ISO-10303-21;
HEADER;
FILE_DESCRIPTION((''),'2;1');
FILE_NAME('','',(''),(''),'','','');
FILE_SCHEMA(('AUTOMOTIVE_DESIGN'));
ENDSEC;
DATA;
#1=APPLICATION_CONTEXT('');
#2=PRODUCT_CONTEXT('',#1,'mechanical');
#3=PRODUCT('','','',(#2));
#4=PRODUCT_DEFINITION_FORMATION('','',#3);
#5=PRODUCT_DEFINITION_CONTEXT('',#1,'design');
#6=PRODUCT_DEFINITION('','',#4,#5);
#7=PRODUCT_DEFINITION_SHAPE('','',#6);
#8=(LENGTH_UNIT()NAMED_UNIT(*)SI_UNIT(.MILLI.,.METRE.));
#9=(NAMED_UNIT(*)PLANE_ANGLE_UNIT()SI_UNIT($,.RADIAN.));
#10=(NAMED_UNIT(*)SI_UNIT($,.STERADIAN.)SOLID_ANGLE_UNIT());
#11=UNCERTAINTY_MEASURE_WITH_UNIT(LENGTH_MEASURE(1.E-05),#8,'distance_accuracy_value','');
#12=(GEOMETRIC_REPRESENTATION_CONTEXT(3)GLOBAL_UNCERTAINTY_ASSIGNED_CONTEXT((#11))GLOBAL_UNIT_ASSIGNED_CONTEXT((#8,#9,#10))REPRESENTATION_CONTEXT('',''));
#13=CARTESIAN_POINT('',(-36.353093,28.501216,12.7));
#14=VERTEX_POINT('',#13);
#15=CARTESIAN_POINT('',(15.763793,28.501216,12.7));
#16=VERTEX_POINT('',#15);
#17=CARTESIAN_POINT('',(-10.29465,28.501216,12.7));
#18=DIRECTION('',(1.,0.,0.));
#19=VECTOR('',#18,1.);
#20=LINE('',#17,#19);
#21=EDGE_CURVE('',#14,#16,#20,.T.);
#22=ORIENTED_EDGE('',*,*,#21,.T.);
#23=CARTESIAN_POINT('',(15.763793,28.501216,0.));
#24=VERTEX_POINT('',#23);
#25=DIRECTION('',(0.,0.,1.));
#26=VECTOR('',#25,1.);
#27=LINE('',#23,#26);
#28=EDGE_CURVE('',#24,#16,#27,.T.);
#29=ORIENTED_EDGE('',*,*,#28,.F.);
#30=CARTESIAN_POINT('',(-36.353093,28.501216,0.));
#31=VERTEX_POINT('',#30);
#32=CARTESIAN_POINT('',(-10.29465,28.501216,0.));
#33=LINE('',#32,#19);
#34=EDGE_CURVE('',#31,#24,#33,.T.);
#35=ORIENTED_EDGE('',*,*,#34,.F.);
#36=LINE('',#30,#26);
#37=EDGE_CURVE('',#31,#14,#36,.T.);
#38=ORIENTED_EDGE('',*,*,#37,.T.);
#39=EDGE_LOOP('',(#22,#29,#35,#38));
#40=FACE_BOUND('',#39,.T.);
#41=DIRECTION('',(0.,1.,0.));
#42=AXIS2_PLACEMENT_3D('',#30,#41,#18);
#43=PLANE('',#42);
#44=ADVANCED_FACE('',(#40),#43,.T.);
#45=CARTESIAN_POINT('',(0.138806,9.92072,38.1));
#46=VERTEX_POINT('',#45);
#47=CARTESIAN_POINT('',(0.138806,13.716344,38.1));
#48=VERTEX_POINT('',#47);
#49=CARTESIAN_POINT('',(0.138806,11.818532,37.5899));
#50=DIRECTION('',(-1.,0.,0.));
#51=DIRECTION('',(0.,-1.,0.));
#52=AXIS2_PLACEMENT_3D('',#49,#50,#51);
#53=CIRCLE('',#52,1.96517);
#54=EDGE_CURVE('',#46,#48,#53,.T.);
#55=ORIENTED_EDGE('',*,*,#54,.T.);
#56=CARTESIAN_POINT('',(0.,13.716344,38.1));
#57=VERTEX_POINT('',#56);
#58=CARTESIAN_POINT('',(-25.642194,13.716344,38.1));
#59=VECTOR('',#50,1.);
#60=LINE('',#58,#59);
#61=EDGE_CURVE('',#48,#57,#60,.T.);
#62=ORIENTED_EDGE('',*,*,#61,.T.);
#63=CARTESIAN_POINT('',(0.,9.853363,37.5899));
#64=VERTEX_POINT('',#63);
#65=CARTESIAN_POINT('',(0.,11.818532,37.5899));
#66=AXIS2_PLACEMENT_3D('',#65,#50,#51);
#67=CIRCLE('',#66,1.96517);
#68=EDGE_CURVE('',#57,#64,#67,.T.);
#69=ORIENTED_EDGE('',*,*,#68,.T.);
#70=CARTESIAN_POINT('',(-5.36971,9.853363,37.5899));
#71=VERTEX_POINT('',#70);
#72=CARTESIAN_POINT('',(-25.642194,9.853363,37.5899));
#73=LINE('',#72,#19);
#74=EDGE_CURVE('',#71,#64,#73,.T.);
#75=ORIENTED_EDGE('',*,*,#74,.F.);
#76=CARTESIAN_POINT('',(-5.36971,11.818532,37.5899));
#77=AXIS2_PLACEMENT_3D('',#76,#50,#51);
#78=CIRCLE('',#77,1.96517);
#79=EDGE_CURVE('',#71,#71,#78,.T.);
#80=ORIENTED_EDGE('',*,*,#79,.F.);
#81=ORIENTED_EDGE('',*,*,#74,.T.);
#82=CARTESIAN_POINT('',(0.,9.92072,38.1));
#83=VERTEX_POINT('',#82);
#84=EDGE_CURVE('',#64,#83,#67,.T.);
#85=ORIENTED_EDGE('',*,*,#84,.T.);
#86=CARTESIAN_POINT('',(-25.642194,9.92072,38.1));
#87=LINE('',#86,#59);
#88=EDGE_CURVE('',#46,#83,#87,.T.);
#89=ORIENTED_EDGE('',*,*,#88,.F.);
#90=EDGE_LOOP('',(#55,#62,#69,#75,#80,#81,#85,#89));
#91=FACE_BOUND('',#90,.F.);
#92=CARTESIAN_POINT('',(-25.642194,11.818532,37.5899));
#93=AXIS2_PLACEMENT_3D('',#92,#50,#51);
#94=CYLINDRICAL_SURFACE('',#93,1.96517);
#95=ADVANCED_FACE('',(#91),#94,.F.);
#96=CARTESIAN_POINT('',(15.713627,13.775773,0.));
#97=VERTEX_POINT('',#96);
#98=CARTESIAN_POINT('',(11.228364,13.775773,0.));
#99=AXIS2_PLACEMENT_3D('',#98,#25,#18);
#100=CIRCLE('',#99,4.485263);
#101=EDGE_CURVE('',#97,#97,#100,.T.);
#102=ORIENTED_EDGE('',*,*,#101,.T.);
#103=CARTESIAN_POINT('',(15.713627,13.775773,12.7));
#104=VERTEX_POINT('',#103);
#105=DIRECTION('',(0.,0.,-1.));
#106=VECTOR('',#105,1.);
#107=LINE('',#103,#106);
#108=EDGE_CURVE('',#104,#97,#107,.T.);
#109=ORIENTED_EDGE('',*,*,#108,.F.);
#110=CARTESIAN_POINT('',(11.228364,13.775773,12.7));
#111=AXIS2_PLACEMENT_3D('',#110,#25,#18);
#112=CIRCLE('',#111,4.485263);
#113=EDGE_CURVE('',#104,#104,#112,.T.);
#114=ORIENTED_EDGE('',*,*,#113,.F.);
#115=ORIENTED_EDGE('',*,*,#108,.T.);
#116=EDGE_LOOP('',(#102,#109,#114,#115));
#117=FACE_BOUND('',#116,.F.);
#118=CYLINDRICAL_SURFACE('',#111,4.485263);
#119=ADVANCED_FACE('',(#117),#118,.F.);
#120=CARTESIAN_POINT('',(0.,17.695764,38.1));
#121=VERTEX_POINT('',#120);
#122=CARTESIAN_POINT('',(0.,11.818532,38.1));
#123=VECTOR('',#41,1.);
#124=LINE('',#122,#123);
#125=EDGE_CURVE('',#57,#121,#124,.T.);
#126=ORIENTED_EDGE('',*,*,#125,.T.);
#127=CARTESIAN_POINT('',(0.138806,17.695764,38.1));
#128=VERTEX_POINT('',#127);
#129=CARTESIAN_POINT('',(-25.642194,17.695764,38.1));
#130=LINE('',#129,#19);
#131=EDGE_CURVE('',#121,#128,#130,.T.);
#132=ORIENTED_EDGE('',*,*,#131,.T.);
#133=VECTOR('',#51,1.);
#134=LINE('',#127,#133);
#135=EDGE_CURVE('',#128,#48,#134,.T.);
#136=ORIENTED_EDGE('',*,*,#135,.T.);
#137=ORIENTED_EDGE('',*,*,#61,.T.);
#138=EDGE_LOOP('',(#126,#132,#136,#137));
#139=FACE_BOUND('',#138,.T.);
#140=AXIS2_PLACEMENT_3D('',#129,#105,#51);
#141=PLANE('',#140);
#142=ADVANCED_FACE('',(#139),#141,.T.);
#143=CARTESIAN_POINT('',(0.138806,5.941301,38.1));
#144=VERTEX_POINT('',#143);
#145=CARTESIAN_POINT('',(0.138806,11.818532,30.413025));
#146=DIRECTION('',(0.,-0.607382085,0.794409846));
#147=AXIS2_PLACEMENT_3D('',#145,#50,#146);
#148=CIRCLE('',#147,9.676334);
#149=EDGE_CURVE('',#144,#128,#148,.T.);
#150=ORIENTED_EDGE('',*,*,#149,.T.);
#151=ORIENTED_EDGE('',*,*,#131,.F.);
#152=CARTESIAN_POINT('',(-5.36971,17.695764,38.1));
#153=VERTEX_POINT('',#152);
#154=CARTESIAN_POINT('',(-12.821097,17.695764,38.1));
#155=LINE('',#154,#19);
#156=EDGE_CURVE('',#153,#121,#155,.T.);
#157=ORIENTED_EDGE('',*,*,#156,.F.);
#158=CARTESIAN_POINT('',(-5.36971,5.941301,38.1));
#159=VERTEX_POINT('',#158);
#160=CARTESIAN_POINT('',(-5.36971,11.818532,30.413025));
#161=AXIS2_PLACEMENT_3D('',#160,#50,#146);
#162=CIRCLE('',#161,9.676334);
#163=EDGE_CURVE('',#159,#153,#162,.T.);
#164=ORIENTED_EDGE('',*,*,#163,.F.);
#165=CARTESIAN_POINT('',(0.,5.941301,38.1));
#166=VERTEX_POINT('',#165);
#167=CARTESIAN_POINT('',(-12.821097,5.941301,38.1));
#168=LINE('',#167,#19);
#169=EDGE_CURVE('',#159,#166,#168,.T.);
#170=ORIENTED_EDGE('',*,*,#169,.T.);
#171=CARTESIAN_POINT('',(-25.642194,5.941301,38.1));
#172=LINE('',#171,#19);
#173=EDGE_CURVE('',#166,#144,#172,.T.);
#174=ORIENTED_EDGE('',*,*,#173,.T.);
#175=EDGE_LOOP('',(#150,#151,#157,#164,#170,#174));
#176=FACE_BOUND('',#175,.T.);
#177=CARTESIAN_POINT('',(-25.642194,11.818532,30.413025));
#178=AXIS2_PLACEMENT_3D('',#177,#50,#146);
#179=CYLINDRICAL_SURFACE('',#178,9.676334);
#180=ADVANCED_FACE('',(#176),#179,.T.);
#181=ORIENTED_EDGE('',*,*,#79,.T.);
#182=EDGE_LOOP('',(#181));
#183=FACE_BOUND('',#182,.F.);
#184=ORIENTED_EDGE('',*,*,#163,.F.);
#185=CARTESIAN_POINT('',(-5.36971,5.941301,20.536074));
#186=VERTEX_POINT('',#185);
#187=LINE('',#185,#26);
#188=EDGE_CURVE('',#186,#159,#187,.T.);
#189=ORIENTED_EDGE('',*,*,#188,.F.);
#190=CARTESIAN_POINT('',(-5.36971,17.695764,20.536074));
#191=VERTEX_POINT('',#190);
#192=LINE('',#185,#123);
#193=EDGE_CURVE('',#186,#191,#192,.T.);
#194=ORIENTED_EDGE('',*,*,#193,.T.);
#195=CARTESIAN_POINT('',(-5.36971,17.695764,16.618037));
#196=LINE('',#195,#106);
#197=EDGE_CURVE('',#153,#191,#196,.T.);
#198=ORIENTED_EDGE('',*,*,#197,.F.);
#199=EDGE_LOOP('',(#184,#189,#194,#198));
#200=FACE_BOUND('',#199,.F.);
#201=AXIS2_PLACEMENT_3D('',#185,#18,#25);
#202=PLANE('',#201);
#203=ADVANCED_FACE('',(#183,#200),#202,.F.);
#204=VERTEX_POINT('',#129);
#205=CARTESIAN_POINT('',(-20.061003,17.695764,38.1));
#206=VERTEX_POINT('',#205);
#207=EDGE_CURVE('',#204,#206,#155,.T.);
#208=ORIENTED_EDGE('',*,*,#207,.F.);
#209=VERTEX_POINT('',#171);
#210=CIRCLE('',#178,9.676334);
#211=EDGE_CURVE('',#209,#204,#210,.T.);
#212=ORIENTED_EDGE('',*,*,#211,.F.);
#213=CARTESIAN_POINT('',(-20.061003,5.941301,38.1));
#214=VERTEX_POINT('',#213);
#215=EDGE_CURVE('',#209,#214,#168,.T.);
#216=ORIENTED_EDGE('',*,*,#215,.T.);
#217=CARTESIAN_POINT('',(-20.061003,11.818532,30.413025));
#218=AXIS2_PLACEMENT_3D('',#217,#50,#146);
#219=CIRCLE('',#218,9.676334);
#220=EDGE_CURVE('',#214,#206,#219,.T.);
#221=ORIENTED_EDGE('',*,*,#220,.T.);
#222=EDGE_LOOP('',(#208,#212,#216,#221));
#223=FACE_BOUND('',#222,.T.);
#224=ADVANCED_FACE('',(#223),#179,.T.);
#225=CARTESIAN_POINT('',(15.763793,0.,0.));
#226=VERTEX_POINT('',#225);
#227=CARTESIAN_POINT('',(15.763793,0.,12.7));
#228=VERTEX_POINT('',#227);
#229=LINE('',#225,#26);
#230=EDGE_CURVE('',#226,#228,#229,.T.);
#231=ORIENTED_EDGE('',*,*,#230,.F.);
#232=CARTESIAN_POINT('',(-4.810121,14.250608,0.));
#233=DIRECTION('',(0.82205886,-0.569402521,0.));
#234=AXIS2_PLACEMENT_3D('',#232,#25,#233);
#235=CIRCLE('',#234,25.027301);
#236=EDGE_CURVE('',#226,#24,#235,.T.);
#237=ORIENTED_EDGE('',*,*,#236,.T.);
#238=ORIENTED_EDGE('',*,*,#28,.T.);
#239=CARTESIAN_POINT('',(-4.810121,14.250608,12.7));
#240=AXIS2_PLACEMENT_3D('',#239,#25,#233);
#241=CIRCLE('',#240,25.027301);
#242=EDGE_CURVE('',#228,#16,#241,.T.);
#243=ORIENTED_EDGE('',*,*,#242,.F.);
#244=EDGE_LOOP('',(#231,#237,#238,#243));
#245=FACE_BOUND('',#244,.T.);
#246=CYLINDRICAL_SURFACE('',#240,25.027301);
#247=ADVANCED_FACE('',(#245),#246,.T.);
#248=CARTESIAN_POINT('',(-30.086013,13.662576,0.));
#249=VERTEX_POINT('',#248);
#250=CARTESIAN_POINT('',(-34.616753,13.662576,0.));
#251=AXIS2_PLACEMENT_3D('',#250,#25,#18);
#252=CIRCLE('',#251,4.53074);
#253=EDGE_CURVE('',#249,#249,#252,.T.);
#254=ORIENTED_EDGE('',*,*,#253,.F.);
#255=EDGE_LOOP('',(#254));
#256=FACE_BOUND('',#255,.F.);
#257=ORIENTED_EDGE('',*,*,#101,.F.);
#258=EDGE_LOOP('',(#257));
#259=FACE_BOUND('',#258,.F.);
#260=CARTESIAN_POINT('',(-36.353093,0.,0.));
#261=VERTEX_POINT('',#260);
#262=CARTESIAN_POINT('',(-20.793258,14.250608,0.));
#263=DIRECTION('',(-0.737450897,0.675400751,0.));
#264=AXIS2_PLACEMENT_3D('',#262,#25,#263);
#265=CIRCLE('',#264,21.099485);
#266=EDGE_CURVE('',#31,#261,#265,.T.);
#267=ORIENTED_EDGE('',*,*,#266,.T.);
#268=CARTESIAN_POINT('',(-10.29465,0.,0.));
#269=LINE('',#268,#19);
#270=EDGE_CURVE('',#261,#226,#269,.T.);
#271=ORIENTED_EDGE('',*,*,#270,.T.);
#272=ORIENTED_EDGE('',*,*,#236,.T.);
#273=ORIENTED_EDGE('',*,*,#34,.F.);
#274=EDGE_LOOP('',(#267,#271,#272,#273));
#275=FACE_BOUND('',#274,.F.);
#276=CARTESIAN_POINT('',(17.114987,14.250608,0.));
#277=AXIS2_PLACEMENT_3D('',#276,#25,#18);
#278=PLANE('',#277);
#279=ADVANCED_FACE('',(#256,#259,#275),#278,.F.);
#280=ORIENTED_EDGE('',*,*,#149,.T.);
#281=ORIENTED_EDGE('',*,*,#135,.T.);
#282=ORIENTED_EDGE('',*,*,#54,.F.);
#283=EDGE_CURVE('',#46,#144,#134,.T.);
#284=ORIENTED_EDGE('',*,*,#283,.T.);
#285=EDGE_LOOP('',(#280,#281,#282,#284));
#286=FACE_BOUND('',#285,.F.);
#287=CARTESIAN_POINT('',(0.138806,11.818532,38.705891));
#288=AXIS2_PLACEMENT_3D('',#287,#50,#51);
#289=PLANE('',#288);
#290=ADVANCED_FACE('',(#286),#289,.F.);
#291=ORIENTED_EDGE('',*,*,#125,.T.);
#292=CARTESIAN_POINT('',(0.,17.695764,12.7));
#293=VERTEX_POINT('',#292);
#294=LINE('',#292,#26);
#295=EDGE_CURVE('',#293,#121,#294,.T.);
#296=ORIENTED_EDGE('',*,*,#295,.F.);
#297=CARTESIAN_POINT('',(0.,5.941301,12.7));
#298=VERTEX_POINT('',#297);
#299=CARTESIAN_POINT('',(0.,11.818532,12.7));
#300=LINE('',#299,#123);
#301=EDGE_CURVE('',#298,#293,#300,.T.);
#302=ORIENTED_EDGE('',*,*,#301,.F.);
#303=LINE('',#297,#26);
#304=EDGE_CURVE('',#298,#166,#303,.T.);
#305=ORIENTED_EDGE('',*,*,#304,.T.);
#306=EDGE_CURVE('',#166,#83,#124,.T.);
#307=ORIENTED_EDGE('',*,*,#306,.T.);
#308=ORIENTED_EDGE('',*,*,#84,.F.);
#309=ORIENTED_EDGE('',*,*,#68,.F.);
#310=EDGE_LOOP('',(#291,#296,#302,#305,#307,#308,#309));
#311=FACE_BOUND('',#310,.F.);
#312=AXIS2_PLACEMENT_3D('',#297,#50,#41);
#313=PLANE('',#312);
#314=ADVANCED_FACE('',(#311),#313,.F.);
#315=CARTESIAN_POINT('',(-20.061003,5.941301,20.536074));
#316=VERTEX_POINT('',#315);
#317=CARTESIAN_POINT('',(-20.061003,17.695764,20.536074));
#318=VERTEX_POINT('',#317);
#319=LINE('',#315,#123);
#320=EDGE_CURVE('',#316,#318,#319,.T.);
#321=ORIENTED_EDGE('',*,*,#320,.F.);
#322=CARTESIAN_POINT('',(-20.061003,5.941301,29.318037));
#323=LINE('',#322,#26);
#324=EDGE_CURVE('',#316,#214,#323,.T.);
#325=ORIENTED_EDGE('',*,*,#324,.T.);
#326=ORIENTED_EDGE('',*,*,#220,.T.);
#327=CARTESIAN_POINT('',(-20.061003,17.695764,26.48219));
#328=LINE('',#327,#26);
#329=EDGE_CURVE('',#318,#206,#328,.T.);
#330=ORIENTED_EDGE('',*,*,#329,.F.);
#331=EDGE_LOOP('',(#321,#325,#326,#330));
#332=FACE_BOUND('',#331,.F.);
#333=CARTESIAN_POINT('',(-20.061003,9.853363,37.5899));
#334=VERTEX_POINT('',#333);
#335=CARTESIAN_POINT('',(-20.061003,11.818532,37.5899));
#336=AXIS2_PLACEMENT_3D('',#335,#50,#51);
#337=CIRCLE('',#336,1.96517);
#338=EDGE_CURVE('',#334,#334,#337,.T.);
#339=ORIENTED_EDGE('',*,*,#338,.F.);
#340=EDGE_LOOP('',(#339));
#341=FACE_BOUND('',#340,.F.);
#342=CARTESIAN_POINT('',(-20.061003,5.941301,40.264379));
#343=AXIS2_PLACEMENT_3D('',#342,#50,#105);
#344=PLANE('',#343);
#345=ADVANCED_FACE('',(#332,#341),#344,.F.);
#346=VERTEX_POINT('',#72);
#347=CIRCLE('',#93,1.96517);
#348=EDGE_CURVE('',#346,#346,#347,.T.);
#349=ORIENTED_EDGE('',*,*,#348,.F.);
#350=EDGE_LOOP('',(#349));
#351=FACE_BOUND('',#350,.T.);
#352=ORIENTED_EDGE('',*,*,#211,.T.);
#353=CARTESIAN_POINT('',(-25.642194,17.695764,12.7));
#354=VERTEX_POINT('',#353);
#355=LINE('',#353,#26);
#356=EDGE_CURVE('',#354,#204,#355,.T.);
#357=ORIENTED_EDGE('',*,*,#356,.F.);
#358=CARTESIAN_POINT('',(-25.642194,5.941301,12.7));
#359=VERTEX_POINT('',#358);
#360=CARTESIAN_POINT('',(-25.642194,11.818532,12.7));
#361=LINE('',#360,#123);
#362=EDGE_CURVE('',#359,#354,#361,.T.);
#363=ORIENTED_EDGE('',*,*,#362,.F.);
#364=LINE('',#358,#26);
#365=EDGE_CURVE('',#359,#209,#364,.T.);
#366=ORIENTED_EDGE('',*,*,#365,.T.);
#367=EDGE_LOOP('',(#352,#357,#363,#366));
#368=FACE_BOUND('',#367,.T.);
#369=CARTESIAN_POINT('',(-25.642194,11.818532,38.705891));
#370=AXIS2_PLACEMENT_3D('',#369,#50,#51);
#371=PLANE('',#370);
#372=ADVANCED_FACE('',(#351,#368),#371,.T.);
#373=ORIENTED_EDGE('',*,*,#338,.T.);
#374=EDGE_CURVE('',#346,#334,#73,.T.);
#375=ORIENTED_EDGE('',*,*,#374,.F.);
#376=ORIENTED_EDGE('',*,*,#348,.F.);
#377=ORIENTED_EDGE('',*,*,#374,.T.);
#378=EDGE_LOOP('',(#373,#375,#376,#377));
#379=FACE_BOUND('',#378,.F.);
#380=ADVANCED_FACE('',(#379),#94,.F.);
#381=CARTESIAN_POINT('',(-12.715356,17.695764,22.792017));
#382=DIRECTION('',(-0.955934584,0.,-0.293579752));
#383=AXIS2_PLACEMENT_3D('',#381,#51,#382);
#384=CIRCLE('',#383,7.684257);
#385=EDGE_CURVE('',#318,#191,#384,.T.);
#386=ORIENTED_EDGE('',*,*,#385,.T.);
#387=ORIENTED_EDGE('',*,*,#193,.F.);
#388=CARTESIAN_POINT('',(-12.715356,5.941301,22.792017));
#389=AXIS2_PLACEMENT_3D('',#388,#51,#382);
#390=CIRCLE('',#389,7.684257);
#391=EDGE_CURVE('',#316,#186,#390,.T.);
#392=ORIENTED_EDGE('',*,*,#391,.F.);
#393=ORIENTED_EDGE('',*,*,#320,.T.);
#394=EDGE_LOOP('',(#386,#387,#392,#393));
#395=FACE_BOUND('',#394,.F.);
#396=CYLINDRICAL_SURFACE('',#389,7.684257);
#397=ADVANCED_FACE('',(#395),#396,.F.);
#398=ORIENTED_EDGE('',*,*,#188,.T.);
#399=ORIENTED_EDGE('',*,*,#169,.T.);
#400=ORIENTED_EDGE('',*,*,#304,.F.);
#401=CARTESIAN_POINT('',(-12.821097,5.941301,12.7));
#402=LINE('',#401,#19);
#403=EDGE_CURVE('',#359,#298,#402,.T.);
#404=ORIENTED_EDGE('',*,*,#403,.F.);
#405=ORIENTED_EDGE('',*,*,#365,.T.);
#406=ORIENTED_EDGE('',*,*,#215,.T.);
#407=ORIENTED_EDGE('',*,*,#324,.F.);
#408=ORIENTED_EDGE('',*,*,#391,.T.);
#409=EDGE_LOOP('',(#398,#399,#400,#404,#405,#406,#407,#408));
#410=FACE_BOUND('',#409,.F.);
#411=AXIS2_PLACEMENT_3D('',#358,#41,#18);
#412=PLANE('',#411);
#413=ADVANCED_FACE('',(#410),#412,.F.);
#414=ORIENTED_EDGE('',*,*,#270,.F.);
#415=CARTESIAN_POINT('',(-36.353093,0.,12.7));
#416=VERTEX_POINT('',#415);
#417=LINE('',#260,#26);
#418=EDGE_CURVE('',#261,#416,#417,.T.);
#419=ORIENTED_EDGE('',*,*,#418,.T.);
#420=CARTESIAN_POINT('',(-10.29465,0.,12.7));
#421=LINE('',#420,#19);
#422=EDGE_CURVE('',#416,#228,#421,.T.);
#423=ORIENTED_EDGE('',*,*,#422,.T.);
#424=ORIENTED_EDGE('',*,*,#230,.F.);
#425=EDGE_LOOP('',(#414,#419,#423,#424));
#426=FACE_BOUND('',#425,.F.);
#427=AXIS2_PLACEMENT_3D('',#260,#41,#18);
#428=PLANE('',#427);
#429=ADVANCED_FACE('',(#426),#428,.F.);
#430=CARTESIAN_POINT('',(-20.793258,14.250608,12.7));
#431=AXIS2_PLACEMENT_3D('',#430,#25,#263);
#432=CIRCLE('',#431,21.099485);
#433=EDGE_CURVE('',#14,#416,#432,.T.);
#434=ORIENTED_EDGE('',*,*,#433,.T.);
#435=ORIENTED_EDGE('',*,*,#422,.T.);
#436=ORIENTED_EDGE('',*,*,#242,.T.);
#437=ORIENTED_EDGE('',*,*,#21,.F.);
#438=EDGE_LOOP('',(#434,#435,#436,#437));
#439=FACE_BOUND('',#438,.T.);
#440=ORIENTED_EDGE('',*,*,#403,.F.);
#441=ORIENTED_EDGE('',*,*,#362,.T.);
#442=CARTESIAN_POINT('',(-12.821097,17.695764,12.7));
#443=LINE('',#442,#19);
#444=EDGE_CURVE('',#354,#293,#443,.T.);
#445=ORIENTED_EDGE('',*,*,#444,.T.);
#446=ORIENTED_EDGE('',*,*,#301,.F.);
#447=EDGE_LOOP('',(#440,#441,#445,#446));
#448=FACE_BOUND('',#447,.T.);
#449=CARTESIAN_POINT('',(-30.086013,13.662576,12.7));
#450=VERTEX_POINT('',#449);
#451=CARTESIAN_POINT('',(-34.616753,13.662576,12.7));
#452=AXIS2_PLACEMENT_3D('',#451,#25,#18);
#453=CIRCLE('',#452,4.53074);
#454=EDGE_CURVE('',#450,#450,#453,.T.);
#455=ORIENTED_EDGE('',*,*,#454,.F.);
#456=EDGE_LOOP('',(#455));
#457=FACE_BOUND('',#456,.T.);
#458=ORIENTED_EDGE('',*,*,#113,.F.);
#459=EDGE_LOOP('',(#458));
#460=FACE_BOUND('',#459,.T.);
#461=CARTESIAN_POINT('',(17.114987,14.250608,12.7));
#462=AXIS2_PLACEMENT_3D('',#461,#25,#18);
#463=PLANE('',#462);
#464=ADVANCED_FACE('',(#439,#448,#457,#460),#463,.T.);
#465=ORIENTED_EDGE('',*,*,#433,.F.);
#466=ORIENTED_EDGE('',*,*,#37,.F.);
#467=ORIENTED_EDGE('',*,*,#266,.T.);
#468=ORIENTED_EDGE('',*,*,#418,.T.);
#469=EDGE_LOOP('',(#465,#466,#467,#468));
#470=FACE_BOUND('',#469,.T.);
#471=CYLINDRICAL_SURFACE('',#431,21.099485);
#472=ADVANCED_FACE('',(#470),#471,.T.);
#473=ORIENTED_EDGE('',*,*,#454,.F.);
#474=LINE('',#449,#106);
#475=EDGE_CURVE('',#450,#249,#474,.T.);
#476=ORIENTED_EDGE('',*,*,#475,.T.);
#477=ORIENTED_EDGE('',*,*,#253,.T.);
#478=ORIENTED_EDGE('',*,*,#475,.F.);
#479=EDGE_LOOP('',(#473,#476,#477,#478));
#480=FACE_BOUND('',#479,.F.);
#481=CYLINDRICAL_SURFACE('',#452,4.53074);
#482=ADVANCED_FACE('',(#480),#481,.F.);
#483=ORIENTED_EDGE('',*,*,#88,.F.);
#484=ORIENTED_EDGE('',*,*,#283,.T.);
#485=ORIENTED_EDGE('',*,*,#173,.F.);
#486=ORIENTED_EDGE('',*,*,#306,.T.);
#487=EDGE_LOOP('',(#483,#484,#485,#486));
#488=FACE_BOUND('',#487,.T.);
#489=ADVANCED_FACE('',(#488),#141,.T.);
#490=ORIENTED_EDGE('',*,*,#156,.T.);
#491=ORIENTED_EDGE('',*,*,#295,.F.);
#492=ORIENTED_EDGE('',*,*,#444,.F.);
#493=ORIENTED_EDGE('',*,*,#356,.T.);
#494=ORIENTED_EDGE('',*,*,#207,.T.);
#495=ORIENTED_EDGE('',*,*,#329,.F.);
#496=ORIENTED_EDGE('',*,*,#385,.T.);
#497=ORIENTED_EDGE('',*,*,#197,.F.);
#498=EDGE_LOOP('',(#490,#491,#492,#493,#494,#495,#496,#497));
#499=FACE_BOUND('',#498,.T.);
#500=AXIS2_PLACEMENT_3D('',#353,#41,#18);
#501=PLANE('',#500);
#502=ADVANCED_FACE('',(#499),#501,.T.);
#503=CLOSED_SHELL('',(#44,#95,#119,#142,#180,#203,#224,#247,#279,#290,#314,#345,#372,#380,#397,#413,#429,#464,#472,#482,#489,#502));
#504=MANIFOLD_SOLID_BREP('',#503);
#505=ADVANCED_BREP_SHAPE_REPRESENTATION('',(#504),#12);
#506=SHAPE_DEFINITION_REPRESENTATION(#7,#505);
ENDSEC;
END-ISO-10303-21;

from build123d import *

# Parameters (mm, degrees)
F0_W      = 52.1168857813
F0_H      = 28.5012163222
F1_DEPTH  = 12.7
F3_DEPTH  = 12.7
F5_DEPTH  = 12.7
F6_W      = 25.6421938539
F6_H      = 11.7544634268
F7_DEPTH  = 25.4
F9_DEPTH  = 25.781
F10_W     = 14.6912932396
F10_H     = 17.5639255852
F11_DEPTH = 22.5609156693
F12_R     = 4.5307401999
F12_R_2   = 4.4852627038
F13_DEPTH = 12.701
F14_R     = 1.9651697752
F15_DEPTH = 45.8603734278
F17_DEPTH = 22.5609156693


with BuildPart() as f1:
    # F0 (on Top) → F1 (new body)
    with BuildSketch(Plane.XY):
        with Locations((-10.29464975, 14.2506081611)):
            Rectangle(F0_W, F0_H)
    extrude(amount=F1_DEPTH)

    # F2 (on face) → F3 (join)
    with BuildSketch(Plane.XY.offset(12.7)):
        with BuildLine():
            Line((-36.3530926406, 0), (-36.3530926406, 28.5012163222))
            ThreePointArc((-36.3530926406, 28.5012163222), (-41.8927435543, 14.2506081611), (-36.3530926406, 0))
        make_face()
    extrude(amount=-F3_DEPTH)

    # F4 (on face) → F5 (join)
    with BuildSketch(Plane.XY.offset(12.7)):
        with BuildLine():
            Line((15.7637931406, 28.5012163222), (15.7637931406, 0))
            ThreePointArc((15.7637931406, 0), (20.217179574, 14.2506081611), (15.7637931406, 28.5012163222))
        make_face()
    extrude(amount=-F5_DEPTH)

    # F6 (on face) → F7 (join)
    with BuildSketch(Plane.XY.offset(12.7)):
        with Locations((-12.8210969269, 11.8185323663)):
            Rectangle(F6_W, F6_H)
    extrude(amount=F7_DEPTH)

    # F8 (on face) → F9 (join)
    with BuildSketch(Plane(origin=(-25.6421938539, 0, 0), x_dir=(0, -1, 0), z_dir=(-1, 0, 0))):
        with BuildLine():
            Line((-17.6957640797, 38.1), (-5.9413006529, 38.1))
            ThreePointArc((-5.9413006529, 38.1), (-11.8185323663, 40.0893589301), (-17.6957640797, 38.1))
        make_face()
    extrude(amount=-F9_DEPTH)

    # F10 (on face) → F11 (cut, through all)
    with BuildSketch(Plane.XZ.offset(-5.9413006529)):
        Polygon((-5.3697098047, 40.5042394996), (-20.0610030442, 40.2643792331), (-20.0610030442, 38.1), (-5.3697098047, 38.1), align=None)
        with Locations((-12.7153564245, 29.3180372074)):
            Rectangle(F10_W, F10_H)
    extrude(amount=-F11_DEPTH, mode=Mode.SUBTRACT)

    # F12 (on face) → F13 (cut, through all)
    with BuildSketch(Plane.XY.offset(12.7)):
        with Locations((-34.616753459, 13.6625757441)):
            Circle(F12_R)
        with Locations((11.228363961, 13.7757733464)):
            Circle(F12_R_2)
    extrude(amount=-F13_DEPTH, mode=Mode.SUBTRACT)

    # F14 (on face) → F15 (cut, through all)
    with BuildSketch(Plane(origin=(-25.6421938539, 0, 0), x_dir=(0, -1, 0), z_dir=(-1, 0, 0))):
        with Locations((-11.8185323663, 37.5899001956)):
            Circle(F14_R)
    extrude(amount=-F15_DEPTH, mode=Mode.SUBTRACT)

    # F16 (on face) → F17 (cut, through all)
    with BuildSketch(Plane.XZ.offset(-5.9413006529)):
        with BuildLine():
            Line((-5.3697098047, 20.5360744148), (-20.0610030442, 20.5360744148))
            ThreePointArc((-20.0610030442, 20.5360744148), (-12.7153564245, 15.1077599737), (-5.3697098047, 20.5360744148))
        make_face()
    extrude(amount=-F17_DEPTH, mode=Mode.SUBTRACT)


solid = f1.part
